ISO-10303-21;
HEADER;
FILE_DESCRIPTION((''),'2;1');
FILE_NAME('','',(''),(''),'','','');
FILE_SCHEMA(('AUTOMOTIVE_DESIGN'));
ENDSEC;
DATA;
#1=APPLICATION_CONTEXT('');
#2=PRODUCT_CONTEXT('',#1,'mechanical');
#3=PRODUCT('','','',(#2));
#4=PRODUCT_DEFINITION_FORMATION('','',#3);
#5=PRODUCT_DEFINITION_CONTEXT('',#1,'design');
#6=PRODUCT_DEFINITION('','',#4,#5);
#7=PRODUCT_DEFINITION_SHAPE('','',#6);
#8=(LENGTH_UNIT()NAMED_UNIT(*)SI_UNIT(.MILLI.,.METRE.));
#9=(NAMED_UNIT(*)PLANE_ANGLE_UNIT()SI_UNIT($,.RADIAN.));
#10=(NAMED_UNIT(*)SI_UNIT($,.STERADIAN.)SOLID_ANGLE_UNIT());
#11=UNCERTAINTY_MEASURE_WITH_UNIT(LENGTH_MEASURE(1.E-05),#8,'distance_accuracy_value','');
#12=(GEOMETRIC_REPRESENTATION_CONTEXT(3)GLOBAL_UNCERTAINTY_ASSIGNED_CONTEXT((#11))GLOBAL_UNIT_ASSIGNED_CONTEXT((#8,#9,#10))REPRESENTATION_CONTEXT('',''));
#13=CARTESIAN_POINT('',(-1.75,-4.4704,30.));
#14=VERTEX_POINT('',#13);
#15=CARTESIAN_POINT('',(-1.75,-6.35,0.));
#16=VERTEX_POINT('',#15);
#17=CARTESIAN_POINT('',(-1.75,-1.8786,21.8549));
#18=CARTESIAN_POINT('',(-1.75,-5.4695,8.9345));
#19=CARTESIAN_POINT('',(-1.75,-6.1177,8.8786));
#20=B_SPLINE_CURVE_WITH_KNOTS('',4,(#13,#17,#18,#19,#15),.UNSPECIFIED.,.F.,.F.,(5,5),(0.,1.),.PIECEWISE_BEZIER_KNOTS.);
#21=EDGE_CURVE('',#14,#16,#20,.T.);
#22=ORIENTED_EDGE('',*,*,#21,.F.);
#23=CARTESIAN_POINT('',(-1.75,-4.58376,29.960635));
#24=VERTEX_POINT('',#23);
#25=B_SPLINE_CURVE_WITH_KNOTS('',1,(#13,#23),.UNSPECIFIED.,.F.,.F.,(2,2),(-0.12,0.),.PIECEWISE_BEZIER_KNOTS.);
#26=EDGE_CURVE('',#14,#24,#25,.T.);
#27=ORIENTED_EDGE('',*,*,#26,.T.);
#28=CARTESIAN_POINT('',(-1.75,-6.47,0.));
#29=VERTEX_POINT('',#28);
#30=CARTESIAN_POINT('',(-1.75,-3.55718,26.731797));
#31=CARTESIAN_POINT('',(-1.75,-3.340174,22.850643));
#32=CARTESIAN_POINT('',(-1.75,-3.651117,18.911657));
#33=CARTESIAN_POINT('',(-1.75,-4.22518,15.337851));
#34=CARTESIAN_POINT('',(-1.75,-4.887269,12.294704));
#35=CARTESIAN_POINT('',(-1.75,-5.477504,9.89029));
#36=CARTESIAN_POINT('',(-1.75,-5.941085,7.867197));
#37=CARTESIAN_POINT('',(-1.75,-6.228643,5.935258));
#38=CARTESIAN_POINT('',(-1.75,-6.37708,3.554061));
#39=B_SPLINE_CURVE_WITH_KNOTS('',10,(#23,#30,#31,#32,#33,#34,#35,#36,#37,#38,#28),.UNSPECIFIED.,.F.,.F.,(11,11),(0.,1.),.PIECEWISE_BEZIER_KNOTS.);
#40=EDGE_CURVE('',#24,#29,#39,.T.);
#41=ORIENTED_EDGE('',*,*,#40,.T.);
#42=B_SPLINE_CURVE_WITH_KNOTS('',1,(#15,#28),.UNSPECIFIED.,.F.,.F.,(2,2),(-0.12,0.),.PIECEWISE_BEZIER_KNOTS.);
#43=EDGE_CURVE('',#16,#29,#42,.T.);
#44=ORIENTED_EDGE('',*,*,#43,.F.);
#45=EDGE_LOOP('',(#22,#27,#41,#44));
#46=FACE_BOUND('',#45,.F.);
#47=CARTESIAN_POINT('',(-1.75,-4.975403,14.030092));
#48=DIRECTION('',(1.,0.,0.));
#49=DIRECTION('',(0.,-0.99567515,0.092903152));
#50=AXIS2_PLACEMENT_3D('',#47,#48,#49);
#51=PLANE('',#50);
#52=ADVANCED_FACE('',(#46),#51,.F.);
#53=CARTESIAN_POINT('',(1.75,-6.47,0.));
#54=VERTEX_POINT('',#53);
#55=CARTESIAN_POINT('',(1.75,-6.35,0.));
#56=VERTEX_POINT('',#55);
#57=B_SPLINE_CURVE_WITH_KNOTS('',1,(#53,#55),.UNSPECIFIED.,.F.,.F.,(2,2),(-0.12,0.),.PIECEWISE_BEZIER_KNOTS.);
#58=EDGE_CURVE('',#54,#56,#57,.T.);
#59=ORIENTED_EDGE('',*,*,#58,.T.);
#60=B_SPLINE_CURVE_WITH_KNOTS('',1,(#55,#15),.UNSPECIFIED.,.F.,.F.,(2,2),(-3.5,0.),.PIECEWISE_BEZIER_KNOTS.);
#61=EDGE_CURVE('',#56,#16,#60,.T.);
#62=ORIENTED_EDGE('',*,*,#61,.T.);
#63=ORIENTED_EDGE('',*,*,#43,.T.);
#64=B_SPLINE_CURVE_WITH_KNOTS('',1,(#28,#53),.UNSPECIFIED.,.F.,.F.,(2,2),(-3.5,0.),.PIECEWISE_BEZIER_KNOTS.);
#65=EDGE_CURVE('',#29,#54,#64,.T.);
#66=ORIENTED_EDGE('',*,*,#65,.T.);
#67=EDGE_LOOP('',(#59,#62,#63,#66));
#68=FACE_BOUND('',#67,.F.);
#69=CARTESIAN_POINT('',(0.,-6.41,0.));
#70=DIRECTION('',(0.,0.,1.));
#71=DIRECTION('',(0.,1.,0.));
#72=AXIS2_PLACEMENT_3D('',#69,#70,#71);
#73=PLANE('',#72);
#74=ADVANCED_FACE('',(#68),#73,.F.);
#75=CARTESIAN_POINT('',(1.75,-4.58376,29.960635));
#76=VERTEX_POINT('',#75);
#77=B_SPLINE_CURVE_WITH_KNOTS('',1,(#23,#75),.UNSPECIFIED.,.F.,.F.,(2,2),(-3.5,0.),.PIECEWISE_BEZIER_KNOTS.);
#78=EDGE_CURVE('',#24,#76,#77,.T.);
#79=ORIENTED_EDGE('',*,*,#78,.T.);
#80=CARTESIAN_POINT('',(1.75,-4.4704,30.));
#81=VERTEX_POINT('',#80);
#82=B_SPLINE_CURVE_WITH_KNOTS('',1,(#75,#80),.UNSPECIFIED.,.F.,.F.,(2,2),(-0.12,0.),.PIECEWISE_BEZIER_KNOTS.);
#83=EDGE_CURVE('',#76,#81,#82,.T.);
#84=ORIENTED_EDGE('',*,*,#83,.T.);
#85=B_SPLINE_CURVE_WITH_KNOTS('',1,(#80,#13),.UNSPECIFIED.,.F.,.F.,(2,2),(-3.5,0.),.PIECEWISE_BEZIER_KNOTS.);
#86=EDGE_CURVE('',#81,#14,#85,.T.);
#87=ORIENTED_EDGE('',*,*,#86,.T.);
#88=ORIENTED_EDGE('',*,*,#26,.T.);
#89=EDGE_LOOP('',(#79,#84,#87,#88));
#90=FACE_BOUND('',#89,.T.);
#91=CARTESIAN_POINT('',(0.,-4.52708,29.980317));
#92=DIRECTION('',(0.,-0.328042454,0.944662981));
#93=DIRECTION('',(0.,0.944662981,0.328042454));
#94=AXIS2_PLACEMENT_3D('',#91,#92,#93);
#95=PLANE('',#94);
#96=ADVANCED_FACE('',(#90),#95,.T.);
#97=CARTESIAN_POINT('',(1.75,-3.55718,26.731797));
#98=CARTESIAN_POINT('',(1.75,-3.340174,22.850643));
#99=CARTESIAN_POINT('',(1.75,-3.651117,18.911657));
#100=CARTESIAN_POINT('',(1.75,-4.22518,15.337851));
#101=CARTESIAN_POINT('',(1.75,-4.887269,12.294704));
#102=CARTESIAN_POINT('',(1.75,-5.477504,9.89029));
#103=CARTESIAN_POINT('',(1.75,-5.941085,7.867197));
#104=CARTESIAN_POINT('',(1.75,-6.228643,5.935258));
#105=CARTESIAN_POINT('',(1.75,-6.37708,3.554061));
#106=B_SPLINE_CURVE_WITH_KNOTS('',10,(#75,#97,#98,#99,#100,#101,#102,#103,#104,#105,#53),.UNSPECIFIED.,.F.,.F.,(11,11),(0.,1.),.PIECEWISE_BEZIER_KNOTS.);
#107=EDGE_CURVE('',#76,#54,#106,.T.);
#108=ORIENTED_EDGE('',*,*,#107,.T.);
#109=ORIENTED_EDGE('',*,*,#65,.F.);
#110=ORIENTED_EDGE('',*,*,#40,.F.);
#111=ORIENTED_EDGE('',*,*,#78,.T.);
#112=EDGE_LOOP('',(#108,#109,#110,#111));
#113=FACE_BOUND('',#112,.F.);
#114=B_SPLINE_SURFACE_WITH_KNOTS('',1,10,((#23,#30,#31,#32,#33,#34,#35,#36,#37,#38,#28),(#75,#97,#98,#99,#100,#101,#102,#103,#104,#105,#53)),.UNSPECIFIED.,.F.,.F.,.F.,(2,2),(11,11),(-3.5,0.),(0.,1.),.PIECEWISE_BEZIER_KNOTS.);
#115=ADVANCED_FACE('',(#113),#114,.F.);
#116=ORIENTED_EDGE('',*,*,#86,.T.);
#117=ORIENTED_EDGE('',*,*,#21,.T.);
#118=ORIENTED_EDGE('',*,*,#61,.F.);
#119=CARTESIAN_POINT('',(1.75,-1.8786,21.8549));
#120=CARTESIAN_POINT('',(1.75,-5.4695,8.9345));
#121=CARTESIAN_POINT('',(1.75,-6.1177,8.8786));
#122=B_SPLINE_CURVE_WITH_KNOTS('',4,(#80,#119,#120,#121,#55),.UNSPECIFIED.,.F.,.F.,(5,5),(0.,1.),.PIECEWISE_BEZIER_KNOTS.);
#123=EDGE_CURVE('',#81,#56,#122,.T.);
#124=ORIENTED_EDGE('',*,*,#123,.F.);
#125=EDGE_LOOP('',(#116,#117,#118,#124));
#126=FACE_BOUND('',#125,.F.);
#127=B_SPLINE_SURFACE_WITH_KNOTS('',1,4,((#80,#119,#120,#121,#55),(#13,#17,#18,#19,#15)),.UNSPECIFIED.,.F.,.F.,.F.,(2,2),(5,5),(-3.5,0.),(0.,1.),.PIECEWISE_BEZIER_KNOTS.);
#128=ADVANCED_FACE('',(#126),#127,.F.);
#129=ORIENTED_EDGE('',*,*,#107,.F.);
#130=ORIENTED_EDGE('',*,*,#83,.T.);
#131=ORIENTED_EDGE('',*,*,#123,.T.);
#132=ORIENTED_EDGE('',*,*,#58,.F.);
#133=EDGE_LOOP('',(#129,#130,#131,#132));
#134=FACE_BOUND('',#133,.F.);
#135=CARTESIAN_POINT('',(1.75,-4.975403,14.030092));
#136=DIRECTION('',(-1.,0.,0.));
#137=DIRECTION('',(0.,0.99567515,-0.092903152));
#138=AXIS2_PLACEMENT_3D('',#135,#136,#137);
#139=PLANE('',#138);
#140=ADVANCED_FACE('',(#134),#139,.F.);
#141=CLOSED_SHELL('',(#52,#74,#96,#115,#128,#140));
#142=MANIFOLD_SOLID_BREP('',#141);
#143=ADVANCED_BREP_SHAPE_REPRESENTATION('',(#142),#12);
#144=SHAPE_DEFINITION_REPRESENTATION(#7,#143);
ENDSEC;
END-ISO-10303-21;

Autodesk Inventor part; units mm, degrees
ref_plane "YZ Plane" through (0, 0, 0) normal (1, 0, 0) x (0, 1, 0)
ref_plane "XZ Plane" through (0, 0, 0) normal (0, 1, 0) x (-1, 0, 0)
ref_plane "XY Plane" through (0, 0, 0) normal (0, 0, 1) x (1, 0, 0)
sketch "Sketch1" plane through (0, 0, 0) normal (0, 0, 1) x (1, 0, 0)
  line L0 (-1.75, -6.35) -> (1.75, -6.35)
  line L1 (1.75, -6.35) -> (1.75, -6.47)
  line L2 (1.75, -6.47) -> (-1.75, -6.47)
  line L3 (-1.75, -6.47) -> (-1.75, -6.35)
  point P0 (0, 0)
  point P1 (0, -6.35)
  point P2 (-1.75, -6.41)
  dimension "d0" = 3.5
  dimension "d1" = 0.12
  dimension "d4" = 6.35
sketch "Sketch2" plane through (0, 0, 0) normal (1, 0, 0) x (0, 1, 0)
  line L0 (0, -6.4997) -> (0, 36.4341) projected
  spline S0 degree 4 poles (-4.4704, 30) (-1.8786, 21.8549) (-5.4695, 8.9345) (-6.1177, 8.8786) (-6.35, 0) knots 0 0 0 0 0 1 1 1 1 1
  point P0 (0, 0)
  point P1 (-6.47, 0)
  point P2 (-3.8211, 19.0942)
  point P3 (-5.9065, 6.368)
  point P4 (-5.055, 11.1843)
  dimension "d2" = 4.4704
  dimension "d3" = 30
sweep "Sweep1" add profiles "Sketch1" path "Sketch2" path curves S0
properties part number "FPCB_1"
